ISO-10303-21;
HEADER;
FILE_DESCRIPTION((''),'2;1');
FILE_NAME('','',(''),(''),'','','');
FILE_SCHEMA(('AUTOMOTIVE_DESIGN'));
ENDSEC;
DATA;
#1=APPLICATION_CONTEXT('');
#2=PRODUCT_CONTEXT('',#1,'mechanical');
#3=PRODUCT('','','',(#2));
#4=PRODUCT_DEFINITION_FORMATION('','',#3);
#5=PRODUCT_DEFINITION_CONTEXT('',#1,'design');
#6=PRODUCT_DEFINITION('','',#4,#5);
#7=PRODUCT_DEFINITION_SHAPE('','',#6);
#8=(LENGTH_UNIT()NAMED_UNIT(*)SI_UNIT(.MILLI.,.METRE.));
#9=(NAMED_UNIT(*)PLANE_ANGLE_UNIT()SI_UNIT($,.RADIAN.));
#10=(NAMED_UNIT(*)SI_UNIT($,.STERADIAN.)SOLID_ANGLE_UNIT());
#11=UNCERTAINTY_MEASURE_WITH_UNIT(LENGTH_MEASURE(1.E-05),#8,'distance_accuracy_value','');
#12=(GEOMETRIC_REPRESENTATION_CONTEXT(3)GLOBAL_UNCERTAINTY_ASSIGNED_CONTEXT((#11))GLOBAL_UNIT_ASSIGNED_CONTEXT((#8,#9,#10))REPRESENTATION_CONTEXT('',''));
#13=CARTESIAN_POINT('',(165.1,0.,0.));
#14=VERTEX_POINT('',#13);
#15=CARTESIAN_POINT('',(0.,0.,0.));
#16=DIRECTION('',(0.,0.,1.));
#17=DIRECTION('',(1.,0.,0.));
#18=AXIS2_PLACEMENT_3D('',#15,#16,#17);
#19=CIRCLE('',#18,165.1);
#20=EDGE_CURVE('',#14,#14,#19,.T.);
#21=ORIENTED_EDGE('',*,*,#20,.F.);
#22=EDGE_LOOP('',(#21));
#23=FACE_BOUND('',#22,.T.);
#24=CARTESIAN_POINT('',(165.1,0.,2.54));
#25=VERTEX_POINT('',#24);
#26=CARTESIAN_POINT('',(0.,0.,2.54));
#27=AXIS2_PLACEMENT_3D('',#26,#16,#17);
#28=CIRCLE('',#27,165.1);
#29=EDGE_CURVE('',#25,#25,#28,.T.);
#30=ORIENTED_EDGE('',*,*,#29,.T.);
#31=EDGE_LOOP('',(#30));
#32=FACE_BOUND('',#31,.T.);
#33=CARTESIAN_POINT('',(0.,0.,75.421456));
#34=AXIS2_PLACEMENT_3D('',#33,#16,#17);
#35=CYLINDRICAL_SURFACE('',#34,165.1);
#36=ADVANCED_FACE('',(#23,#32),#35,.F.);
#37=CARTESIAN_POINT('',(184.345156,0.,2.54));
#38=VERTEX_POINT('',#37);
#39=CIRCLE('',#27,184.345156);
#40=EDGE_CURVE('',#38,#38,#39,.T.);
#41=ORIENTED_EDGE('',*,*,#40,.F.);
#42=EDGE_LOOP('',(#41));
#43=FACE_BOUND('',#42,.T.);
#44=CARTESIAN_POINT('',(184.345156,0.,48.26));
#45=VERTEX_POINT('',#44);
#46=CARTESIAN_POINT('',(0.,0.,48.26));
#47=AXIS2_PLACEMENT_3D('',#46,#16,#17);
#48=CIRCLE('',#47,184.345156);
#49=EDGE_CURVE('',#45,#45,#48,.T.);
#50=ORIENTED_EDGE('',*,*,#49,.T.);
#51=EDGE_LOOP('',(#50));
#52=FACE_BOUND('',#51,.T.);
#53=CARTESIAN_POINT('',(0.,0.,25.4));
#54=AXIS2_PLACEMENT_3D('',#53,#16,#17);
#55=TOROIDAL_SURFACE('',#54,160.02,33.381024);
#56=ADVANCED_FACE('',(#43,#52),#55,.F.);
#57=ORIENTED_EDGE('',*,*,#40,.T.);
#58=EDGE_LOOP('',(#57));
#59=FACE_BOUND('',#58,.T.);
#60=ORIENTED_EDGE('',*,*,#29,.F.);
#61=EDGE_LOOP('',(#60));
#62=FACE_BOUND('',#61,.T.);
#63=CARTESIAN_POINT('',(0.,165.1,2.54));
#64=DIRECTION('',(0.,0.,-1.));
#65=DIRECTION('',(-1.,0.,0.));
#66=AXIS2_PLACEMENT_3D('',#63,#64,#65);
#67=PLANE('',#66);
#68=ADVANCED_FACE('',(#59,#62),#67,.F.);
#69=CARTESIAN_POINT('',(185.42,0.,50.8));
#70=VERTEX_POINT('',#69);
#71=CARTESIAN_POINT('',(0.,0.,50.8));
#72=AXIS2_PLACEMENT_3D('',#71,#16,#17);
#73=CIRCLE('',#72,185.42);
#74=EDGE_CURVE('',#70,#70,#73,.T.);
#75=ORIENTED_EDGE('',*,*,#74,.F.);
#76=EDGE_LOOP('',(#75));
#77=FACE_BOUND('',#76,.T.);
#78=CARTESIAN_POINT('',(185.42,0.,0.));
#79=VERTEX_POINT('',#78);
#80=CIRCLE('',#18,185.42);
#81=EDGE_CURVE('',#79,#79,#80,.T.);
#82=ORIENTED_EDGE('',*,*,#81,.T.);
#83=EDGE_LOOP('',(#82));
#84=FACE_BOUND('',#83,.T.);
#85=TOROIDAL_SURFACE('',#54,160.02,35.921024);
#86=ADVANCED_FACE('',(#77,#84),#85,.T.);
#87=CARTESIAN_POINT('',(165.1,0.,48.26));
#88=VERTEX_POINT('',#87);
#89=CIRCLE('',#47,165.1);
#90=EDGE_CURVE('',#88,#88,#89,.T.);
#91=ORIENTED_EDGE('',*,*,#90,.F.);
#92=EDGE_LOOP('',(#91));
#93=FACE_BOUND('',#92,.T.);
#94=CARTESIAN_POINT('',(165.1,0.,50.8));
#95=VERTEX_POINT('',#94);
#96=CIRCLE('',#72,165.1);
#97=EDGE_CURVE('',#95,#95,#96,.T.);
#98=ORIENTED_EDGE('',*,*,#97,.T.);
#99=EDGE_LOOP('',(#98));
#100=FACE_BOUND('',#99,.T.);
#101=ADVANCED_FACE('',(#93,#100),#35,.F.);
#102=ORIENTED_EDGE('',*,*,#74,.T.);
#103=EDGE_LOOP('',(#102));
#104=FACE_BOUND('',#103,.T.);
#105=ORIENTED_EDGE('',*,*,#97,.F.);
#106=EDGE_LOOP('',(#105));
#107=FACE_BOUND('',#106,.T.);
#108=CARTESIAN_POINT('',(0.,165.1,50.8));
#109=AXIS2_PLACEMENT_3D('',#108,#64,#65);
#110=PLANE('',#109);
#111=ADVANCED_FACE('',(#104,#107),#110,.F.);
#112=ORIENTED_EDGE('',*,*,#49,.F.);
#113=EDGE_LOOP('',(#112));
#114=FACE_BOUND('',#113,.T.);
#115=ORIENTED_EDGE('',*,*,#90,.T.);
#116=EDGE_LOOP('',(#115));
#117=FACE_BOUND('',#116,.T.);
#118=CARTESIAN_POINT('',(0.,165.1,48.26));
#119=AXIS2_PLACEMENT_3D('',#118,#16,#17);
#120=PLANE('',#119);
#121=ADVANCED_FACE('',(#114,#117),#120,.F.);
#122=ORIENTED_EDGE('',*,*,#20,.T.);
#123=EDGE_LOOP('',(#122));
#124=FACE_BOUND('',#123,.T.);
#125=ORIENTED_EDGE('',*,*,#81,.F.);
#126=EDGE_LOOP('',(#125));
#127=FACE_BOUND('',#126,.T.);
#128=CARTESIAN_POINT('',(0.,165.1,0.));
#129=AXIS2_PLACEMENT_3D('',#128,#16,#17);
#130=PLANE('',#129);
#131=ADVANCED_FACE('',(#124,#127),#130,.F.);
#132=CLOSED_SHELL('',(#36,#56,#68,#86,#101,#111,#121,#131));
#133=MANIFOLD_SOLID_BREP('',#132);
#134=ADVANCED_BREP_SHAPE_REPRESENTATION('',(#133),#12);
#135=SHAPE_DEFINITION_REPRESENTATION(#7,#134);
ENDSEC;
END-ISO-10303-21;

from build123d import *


with BuildPart() as part:
    # Sketch1 → Revolve2 (revolve)
    with BuildSketch(Plane(origin=(0, 0, 0), x_dir=(0, 0, -1), z_dir=(1, 0, 0))):
        with BuildLine():
            Line((-50.8, 165.1), (-50.8, 185.42))
            ThreePointArc((-50.8, 185.42), (-25.4, 195.941024484), (0, 185.42))
            Line((0, 185.42), (0, 165.1))
            Line((0, 165.1), (-2.54, 165.1))
            Line((-2.54, 165.1), (-2.54, 184.345155613))
            ThreePointArc((-2.54, 184.345155613), (-25.4, 193.401024484), (-48.26, 184.345155613))
            Line((-48.26, 184.345155613), (-48.26, 165.1))
            Line((-48.26, 165.1), (-50.8, 165.1))
        make_face()
    revolve(axis=Axis((0, 0, 75.421455939), (0, 0, -1)))


solid = part.part
